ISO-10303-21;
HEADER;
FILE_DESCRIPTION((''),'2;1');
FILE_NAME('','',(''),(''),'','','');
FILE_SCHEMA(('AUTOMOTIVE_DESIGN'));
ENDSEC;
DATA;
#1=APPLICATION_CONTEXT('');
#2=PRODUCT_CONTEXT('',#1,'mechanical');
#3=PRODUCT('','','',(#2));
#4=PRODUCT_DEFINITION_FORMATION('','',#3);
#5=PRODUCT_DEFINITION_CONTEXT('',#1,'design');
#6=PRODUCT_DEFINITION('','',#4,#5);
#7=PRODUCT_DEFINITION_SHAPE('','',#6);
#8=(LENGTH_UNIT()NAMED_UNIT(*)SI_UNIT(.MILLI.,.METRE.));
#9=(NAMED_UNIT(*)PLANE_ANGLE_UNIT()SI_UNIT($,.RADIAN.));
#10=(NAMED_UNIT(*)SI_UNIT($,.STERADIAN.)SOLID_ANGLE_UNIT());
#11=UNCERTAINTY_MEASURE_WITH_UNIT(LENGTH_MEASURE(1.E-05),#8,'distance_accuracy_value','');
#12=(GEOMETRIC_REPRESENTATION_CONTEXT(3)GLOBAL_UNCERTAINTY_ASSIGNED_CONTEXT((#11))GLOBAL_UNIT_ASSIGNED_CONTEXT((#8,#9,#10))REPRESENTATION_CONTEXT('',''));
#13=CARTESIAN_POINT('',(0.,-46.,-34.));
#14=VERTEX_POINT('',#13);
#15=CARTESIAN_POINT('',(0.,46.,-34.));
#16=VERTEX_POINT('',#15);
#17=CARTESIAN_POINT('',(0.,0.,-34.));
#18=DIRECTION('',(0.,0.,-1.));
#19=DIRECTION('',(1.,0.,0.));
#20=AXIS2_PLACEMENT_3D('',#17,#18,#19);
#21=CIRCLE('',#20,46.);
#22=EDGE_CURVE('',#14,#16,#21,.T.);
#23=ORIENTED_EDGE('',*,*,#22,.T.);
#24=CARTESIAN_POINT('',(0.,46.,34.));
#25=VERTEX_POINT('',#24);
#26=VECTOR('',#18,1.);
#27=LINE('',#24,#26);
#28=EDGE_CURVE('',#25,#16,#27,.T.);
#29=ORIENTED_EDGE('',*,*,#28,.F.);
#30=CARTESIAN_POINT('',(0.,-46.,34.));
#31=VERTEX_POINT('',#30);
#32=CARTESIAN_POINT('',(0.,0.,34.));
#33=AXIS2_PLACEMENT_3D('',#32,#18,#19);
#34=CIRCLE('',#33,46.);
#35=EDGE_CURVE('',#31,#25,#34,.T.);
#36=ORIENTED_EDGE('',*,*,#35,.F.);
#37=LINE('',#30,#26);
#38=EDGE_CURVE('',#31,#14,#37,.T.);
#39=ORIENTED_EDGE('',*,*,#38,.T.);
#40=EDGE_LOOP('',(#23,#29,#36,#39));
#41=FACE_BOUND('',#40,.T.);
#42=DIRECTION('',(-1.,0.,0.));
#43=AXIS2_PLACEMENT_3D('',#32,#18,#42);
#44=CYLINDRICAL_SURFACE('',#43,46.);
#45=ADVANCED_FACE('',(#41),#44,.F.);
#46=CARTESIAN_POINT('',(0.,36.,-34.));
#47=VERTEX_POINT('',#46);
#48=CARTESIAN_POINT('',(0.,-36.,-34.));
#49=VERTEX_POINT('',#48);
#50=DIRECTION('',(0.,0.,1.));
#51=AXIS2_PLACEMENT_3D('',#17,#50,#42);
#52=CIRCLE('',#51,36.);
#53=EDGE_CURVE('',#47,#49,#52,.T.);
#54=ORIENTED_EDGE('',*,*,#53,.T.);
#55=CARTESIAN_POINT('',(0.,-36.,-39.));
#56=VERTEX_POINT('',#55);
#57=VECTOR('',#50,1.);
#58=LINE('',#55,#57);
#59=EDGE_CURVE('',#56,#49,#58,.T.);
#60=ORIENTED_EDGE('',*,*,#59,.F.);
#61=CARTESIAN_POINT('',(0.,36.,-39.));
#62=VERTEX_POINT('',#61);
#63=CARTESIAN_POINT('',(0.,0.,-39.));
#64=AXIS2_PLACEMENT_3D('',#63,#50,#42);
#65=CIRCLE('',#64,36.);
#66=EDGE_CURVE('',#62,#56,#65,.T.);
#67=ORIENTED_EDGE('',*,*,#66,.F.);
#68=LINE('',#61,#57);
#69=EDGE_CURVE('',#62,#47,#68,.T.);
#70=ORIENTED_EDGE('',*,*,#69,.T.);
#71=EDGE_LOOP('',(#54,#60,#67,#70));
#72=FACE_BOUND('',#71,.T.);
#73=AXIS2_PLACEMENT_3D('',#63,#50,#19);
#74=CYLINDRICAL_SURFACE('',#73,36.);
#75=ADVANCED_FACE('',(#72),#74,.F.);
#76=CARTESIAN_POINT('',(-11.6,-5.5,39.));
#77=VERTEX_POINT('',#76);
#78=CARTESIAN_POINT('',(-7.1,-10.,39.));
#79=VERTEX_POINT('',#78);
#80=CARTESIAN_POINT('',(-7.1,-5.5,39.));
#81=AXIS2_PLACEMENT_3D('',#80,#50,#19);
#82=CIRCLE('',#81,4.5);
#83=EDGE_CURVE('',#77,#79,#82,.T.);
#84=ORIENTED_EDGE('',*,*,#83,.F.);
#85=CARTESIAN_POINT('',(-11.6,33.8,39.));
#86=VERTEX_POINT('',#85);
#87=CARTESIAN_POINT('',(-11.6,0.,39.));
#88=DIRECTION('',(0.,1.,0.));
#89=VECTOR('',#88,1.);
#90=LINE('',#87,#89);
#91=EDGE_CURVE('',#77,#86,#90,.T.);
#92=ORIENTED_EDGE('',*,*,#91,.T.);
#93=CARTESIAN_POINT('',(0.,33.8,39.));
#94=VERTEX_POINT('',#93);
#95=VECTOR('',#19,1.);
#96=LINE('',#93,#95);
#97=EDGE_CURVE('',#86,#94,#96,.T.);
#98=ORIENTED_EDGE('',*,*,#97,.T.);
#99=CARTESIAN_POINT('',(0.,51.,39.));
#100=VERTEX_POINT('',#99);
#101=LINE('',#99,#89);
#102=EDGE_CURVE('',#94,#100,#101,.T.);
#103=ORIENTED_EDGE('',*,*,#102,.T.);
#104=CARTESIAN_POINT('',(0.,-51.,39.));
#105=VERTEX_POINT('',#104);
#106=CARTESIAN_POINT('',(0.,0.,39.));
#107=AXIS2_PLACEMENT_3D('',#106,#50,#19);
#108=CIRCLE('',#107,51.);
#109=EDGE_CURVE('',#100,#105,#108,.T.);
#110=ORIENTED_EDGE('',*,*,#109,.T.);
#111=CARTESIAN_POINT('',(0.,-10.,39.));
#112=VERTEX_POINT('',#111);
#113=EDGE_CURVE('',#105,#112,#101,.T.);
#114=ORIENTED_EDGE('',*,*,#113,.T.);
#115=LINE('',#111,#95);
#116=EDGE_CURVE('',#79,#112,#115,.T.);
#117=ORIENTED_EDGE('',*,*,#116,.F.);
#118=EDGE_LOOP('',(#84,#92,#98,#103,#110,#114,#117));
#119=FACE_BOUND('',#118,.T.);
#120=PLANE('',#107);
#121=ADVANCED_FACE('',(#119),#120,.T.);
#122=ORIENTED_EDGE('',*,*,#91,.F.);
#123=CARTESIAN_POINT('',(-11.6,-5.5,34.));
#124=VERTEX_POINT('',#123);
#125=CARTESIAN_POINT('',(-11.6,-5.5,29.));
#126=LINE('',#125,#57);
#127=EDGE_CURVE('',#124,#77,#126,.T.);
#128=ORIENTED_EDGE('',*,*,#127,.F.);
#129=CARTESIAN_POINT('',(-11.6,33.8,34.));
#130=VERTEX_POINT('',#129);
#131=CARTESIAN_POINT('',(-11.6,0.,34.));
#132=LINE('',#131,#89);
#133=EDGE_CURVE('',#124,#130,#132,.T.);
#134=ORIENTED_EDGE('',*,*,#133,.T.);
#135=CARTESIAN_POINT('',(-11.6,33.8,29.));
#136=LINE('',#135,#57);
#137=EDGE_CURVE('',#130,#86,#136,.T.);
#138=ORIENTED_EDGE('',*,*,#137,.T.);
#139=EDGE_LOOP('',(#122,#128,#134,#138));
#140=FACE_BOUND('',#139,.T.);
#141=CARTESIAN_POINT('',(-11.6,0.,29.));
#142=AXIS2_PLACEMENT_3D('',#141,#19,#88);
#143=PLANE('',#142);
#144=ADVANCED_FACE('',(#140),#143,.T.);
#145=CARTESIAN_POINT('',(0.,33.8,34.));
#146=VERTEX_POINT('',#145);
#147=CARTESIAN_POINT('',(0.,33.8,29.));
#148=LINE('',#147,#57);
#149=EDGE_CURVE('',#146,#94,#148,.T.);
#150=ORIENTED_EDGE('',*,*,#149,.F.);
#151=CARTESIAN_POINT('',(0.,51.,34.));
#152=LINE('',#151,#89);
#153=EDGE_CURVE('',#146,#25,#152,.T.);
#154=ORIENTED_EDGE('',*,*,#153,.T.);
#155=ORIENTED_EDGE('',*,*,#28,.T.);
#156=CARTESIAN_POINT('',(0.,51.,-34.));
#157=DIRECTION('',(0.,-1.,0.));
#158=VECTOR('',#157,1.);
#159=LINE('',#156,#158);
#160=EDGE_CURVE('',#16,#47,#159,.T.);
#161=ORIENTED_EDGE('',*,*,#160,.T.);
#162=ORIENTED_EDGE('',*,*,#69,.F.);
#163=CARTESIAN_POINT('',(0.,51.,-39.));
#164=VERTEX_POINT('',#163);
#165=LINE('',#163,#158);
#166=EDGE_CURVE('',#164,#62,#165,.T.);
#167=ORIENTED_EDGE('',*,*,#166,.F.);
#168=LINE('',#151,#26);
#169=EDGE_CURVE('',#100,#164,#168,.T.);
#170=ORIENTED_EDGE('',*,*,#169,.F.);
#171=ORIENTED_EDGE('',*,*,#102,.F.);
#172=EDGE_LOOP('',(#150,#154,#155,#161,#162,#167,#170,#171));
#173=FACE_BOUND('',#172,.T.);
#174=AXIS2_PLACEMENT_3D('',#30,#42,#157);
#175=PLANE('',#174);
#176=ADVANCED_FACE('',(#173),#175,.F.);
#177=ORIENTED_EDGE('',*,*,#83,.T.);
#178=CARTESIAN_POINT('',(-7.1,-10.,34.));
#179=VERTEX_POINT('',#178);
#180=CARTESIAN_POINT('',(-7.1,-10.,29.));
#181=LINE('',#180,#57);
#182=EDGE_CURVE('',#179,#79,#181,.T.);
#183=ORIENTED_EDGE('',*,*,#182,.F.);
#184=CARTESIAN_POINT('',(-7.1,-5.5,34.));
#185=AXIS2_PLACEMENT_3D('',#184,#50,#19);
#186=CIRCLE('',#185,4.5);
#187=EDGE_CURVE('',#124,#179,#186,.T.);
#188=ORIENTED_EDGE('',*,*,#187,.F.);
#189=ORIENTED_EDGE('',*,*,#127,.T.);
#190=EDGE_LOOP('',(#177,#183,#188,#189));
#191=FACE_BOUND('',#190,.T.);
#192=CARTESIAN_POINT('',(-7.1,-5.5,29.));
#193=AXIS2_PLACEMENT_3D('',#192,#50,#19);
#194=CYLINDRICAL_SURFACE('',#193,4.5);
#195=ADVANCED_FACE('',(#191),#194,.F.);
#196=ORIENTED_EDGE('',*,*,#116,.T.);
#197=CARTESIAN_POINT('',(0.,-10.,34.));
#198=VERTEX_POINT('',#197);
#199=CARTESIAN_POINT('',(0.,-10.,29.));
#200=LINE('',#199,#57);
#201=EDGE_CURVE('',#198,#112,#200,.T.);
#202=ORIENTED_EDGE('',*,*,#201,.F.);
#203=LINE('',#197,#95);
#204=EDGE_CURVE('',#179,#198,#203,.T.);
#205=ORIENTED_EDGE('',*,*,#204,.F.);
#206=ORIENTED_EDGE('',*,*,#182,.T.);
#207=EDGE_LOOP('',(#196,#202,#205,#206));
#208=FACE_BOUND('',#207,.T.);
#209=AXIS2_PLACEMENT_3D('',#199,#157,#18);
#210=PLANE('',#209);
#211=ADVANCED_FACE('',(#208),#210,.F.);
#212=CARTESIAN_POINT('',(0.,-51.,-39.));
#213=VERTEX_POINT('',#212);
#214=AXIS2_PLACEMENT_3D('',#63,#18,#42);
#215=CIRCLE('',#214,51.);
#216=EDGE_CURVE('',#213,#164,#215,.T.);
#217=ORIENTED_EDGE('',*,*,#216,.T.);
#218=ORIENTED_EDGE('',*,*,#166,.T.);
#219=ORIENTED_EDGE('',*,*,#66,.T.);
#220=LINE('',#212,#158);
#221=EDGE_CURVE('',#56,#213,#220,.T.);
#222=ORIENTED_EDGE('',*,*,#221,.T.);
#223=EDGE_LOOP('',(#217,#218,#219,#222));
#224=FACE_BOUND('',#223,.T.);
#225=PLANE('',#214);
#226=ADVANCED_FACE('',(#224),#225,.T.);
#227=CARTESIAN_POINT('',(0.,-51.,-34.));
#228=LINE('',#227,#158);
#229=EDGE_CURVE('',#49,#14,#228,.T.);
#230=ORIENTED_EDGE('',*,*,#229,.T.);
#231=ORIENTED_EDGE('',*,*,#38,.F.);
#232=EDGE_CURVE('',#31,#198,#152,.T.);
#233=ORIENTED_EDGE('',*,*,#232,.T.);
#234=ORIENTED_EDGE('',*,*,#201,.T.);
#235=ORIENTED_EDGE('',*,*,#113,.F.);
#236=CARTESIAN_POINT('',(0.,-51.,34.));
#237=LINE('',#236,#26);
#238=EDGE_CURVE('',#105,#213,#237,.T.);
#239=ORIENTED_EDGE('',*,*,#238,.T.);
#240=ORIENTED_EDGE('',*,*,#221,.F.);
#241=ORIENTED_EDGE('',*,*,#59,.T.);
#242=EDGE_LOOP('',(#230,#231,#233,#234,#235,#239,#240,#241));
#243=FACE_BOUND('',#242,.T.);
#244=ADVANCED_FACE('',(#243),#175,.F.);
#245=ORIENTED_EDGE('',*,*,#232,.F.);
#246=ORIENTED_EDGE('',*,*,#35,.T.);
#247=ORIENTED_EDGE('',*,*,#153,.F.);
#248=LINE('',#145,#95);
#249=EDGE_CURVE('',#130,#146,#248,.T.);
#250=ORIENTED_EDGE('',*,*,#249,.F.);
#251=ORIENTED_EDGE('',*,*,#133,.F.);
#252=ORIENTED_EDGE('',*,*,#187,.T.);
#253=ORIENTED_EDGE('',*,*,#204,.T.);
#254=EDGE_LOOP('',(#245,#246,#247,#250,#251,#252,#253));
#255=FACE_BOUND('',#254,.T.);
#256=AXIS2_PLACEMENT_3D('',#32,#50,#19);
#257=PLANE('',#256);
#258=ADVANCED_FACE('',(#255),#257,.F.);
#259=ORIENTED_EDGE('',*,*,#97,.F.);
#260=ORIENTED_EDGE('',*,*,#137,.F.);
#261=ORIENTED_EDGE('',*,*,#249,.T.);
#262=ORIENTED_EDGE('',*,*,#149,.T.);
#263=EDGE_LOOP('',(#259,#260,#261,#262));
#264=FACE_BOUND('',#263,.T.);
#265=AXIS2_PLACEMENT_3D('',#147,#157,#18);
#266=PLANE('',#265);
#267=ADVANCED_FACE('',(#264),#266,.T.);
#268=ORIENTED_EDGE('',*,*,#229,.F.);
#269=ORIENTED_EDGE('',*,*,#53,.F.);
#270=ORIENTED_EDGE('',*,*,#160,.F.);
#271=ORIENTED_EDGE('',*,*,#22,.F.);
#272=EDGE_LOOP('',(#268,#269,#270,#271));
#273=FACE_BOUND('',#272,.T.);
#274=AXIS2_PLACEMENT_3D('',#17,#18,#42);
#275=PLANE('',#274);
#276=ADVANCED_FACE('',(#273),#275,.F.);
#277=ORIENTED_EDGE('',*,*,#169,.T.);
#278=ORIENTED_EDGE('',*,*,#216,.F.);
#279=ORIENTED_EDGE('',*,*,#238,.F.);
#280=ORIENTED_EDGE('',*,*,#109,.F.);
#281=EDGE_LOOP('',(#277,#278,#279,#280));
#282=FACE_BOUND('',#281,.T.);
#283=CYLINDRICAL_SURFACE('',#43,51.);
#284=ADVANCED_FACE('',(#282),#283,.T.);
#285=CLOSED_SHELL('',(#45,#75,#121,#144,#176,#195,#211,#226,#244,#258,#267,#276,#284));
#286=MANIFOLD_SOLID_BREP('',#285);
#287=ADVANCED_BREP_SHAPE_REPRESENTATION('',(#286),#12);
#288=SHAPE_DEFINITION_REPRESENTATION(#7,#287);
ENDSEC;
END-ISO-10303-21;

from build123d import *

# Parameters (mm, degrees)
BOSS_EXTRU_1_DEPTH      = 34
BOSS_EXTRU_2_DEPTH      = 5
BOSS_EXTRU_3_DEPTH      = 5
ENL_V_MAT_EXTRU_1_DEPTH = 10


with BuildPart() as part:
    # Esquisse1 → Boss.-Extru.1 (new body, symmetric)
    with BuildSketch(Plane.XY):
        with BuildLine():
            Line((0, 51), (0, 46))
            ThreePointArc((0, 46), (-46, 0), (0, -46))
            Line((0, -46), (0, -51))
            ThreePointArc((0, -51), (-51, 0), (0, 51))
        make_face()
    extrude(amount=BOSS_EXTRU_1_DEPTH, both=True)

    # Esquisse2 → Boss.-Extru.2 (add)
    with BuildSketch(Plane.XY.offset(34)):
        with BuildLine():
            Line((0, 51), (0, -51))
            ThreePointArc((0, -51), (-51, 0), (0, 51))
        make_face()
    extrude(amount=BOSS_EXTRU_2_DEPTH)

    # Esquisse3 → Boss.-Extru.3 (add)
    with BuildSketch(Plane(origin=(0, 0, -34), x_dir=(-1, 0, 0), z_dir=(0, 0, -1))):
        with BuildLine():
            Line((0, 51), (0, 36))
            ThreePointArc((0, 36), (36, 0), (0, -36))
            Line((0, -36), (0, -51))
            ThreePointArc((0, -51), (51, 0), (0, 51))
        make_face()
    extrude(amount=BOSS_EXTRU_3_DEPTH)

    # Esquisse4 → Enlèv. mat.-Extru.1 (cut)
    with BuildSketch(Plane.XY.offset(39)):
        with BuildLine():
            ThreePointArc((0.788986692, -2), (2.15, 0), (0.788986692, 2))
            Line((0.788986692, 2), (11.60000004, 2))
            Line((11.60000004, 2), (11.60000004, 33.8))
            Line((11.60000004, 33.8), (-11.59999996, 33.8))
            Line((-11.59999996, 33.8), (-11.59999996, -5.499999956))
            ThreePointArc((-11.59999996, -5.499999956), (-10.281980449, -8.681980534), (-7.099999871, -10.000000044))
            Line((-7.099999871, -10.000000044), (7.10000004, -10.000000044))
            ThreePointArc((7.10000004, -10.000000044), (10.281980555, -8.68198056), (11.60000004, -5.500000044))
            Line((11.60000004, -5.500000044), (11.60000004, -2))
            Line((11.60000004, -2), (0.788986692, -2))
        make_face()
    extrude(amount=-ENL_V_MAT_EXTRU_1_DEPTH, mode=Mode.SUBTRACT)


solid = part.part
